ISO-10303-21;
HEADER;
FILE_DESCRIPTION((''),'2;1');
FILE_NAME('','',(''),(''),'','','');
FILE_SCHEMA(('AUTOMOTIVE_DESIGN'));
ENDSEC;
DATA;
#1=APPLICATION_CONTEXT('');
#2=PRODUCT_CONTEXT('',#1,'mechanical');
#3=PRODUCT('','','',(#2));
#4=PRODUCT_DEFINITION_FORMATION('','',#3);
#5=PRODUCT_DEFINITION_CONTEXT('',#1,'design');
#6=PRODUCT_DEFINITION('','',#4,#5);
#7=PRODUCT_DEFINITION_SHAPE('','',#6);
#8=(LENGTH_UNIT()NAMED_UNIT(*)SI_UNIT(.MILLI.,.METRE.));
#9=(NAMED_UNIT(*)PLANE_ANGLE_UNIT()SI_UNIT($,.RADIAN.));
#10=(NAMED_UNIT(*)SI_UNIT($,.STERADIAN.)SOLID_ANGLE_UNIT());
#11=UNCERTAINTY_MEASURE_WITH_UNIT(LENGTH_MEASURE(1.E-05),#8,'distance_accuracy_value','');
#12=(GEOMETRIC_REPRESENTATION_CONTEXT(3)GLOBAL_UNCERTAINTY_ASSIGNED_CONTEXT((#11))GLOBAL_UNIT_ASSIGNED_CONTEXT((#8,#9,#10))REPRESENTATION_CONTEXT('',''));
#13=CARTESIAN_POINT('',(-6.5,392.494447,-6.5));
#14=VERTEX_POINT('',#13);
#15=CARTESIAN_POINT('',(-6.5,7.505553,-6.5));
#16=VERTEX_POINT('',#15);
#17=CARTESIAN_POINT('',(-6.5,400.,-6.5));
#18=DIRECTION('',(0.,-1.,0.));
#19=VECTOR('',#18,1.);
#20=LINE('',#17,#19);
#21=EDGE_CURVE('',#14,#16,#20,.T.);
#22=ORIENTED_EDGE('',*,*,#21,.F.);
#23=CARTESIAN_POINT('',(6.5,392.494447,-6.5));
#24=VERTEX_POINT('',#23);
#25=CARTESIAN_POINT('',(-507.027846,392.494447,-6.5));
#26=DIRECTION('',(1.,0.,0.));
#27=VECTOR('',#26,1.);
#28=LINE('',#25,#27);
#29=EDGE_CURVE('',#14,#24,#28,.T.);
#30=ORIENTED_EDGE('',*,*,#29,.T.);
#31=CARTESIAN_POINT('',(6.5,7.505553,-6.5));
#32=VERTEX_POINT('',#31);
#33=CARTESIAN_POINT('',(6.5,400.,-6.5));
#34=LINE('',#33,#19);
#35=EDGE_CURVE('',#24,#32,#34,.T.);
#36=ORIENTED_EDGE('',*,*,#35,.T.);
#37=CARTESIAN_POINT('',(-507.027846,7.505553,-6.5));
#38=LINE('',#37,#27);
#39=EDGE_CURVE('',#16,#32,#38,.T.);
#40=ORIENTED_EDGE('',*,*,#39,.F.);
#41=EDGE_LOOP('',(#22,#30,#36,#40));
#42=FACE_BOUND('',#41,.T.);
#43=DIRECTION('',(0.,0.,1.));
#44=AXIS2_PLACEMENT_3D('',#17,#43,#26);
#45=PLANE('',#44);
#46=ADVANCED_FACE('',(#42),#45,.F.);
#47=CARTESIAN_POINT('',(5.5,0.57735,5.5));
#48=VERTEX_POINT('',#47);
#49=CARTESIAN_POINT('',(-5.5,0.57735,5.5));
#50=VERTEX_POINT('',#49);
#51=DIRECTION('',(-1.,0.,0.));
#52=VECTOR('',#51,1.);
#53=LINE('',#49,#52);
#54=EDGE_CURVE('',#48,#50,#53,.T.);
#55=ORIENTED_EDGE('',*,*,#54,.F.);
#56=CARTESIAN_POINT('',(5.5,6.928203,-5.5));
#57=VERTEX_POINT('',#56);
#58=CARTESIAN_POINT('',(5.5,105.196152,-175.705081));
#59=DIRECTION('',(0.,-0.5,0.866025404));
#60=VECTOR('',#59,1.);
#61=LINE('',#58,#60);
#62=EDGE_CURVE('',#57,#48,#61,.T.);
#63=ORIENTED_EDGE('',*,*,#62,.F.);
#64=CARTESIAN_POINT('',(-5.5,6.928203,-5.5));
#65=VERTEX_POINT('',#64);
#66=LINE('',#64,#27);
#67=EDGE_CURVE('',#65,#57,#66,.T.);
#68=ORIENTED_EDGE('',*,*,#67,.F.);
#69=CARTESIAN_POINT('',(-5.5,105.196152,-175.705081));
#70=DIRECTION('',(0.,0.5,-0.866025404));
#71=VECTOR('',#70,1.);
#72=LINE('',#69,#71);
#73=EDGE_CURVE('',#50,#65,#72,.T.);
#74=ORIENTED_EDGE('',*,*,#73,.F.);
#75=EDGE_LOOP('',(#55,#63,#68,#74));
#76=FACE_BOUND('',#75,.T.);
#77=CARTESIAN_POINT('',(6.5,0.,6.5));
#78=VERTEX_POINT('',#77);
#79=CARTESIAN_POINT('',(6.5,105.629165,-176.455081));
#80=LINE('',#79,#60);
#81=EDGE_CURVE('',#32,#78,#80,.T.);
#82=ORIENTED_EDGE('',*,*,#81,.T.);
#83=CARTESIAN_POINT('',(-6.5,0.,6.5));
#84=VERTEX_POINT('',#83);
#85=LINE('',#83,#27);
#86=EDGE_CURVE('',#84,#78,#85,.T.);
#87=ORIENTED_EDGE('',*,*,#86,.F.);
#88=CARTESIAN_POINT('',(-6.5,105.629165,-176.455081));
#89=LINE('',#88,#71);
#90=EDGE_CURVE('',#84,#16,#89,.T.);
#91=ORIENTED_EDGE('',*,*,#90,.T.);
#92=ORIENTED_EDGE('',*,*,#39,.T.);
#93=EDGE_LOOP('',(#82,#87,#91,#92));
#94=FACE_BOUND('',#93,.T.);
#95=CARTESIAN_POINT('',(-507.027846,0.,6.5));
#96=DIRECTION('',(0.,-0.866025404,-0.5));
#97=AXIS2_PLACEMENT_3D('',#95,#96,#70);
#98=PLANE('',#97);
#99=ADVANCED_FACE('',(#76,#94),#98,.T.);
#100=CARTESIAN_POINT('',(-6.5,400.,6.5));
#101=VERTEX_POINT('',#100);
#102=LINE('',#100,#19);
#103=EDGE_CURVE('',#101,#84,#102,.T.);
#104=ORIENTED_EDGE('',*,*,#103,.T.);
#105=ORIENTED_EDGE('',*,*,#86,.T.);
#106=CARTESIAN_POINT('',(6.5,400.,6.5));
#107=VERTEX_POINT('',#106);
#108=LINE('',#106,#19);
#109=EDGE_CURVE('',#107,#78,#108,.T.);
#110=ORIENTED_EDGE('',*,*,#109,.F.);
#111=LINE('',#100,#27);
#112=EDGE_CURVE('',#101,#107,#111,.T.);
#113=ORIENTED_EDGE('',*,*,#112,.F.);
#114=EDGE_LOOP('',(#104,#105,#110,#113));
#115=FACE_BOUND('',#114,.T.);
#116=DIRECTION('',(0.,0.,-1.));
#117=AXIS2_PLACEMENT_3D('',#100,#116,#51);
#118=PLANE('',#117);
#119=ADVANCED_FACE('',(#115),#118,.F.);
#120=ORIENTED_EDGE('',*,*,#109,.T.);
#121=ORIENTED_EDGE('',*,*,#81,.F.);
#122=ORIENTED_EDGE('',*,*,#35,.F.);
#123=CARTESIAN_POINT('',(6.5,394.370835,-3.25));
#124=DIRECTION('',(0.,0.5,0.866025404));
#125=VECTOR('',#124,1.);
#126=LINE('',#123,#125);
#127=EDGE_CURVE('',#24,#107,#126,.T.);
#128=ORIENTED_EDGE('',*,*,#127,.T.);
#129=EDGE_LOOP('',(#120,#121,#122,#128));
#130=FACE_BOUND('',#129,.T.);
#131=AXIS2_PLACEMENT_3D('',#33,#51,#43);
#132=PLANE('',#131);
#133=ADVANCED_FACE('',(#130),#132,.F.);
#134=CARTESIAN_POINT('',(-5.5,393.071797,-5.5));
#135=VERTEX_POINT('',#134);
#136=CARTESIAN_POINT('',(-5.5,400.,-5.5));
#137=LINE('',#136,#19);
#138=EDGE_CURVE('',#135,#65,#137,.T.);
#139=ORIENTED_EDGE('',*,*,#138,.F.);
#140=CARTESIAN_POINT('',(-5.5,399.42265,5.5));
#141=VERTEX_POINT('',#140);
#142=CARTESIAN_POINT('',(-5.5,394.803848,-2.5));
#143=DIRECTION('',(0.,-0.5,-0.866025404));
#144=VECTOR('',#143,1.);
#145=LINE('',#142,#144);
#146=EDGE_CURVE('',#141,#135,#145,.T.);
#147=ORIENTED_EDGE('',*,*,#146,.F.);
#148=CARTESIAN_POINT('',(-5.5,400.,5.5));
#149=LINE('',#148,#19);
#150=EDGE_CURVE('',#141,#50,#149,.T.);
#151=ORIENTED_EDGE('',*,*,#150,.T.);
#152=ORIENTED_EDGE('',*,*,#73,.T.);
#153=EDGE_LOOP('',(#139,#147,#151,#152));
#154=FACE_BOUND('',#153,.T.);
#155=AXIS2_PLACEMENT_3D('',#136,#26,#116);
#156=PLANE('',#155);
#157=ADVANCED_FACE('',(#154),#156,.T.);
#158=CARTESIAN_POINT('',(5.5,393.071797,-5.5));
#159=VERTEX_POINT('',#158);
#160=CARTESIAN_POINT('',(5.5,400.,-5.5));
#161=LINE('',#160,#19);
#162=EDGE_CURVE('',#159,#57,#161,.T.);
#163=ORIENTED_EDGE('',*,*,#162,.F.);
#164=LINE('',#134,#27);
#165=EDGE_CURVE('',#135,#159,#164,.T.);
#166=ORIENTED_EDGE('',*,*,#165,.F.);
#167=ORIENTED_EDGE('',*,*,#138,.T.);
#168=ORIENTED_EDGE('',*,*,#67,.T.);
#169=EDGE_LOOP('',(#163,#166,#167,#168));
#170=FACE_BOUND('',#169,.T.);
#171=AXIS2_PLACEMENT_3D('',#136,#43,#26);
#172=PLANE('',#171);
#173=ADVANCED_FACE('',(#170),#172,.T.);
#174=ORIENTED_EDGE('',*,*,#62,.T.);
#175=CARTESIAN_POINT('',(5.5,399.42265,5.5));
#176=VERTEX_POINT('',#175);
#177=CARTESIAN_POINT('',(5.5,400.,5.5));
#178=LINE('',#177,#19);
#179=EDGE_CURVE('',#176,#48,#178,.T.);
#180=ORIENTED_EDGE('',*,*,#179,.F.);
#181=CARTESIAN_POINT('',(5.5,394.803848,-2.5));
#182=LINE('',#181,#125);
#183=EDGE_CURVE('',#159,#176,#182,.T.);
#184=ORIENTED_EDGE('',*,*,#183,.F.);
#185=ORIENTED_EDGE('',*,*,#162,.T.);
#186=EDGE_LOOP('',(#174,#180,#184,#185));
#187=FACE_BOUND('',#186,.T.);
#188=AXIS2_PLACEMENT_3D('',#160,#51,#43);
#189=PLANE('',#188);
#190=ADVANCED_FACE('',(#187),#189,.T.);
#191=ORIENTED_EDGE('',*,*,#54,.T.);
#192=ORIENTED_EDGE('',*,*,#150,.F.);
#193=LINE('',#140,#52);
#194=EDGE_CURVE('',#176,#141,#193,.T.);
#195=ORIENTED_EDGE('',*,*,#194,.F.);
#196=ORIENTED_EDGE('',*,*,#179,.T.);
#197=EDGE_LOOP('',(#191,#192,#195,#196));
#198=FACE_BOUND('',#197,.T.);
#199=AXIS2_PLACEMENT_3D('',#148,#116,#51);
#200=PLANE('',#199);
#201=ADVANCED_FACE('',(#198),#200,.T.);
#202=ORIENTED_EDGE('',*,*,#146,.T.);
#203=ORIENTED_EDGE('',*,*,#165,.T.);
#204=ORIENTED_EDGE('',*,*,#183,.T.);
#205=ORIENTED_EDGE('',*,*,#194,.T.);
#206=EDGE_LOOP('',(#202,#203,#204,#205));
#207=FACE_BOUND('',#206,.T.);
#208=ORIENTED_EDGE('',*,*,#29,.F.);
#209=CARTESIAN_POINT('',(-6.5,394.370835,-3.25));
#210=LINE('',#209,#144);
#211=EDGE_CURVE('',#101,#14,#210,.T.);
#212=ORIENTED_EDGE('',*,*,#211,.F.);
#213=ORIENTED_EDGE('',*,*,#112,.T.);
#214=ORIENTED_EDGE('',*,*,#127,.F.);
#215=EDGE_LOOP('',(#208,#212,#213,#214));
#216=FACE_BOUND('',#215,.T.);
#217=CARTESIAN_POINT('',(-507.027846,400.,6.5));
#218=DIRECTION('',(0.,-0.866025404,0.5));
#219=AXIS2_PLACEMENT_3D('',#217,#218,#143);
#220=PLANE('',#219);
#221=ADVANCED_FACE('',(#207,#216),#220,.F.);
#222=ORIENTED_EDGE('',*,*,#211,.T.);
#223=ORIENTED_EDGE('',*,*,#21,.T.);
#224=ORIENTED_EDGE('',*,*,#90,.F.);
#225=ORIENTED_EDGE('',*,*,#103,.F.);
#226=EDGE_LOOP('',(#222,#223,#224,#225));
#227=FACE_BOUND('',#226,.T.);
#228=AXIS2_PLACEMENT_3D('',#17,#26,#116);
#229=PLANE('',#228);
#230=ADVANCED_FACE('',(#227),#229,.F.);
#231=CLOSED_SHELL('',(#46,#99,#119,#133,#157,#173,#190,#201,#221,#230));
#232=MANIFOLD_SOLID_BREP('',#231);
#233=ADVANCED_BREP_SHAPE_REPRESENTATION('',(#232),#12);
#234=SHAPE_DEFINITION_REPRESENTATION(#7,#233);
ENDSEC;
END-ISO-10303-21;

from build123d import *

# Parameters (mm, degrees)
SKETCH1_W               = 13
SKETCH1_H               = 13
SKETCH1_W_2             = 11
SKETCH1_H_2             = 11
BOSS_EXTRUDE1_DEPTH     = 400
CUT_EXTRUDE1_DEPTH      = 1
CUT_EXTRUDE1_DEPTH_BACK = 14
CUT_EXTRUDE3_DEPTH      = 1
CUT_EXTRUDE3_DEPTH_BACK = 14


with BuildPart() as part:
    # Sketch1 → Boss-Extrude1 (new body)
    with BuildSketch(Plane(origin=(0, 0, 0), x_dir=(1, 0, 0), z_dir=(0, 1, 0))):
        Rectangle(SKETCH1_W, SKETCH1_H)
        Rectangle(SKETCH1_W_2, SKETCH1_H_2, mode=Mode.SUBTRACT)
    extrude(amount=BOSS_EXTRUDE1_DEPTH)

    # Sketch2 → Cut-Extrude1 (cut, two sides)
    with BuildSketch(Plane.ZY.offset(6.5)) as cut_extrude1_sk:
        Polygon((708.34637623, 805.211194246), (6.5, 400), (-6.5, 392.494446501), (-708.34637623, -12.716747746), (-1518.768764723, 1390.976004715), (-102.076012262, 2208.903946707), align=None)
    extrude(amount=CUT_EXTRUDE1_DEPTH, mode=Mode.SUBTRACT)
    extrude(cut_extrude1_sk.sketch, amount=-CUT_EXTRUDE1_DEPTH_BACK, mode=Mode.SUBTRACT)

    # Sketch3 → Cut-Extrude3 (cut, two sides)
    with BuildSketch(Plane.ZY.offset(6.5)) as cut_extrude3_sk:
        Polygon((708.34637623, -405.211194246), (6.5, 0), (-6.5, 7.505553499), (-708.34637623, 412.716747746), (-1518.768764723, -990.976004715), (-102.076012262, -1808.903946707), align=None)
    extrude(amount=CUT_EXTRUDE3_DEPTH, mode=Mode.SUBTRACT)
    extrude(cut_extrude3_sk.sketch, amount=-CUT_EXTRUDE3_DEPTH_BACK, mode=Mode.SUBTRACT)


solid = part.part
